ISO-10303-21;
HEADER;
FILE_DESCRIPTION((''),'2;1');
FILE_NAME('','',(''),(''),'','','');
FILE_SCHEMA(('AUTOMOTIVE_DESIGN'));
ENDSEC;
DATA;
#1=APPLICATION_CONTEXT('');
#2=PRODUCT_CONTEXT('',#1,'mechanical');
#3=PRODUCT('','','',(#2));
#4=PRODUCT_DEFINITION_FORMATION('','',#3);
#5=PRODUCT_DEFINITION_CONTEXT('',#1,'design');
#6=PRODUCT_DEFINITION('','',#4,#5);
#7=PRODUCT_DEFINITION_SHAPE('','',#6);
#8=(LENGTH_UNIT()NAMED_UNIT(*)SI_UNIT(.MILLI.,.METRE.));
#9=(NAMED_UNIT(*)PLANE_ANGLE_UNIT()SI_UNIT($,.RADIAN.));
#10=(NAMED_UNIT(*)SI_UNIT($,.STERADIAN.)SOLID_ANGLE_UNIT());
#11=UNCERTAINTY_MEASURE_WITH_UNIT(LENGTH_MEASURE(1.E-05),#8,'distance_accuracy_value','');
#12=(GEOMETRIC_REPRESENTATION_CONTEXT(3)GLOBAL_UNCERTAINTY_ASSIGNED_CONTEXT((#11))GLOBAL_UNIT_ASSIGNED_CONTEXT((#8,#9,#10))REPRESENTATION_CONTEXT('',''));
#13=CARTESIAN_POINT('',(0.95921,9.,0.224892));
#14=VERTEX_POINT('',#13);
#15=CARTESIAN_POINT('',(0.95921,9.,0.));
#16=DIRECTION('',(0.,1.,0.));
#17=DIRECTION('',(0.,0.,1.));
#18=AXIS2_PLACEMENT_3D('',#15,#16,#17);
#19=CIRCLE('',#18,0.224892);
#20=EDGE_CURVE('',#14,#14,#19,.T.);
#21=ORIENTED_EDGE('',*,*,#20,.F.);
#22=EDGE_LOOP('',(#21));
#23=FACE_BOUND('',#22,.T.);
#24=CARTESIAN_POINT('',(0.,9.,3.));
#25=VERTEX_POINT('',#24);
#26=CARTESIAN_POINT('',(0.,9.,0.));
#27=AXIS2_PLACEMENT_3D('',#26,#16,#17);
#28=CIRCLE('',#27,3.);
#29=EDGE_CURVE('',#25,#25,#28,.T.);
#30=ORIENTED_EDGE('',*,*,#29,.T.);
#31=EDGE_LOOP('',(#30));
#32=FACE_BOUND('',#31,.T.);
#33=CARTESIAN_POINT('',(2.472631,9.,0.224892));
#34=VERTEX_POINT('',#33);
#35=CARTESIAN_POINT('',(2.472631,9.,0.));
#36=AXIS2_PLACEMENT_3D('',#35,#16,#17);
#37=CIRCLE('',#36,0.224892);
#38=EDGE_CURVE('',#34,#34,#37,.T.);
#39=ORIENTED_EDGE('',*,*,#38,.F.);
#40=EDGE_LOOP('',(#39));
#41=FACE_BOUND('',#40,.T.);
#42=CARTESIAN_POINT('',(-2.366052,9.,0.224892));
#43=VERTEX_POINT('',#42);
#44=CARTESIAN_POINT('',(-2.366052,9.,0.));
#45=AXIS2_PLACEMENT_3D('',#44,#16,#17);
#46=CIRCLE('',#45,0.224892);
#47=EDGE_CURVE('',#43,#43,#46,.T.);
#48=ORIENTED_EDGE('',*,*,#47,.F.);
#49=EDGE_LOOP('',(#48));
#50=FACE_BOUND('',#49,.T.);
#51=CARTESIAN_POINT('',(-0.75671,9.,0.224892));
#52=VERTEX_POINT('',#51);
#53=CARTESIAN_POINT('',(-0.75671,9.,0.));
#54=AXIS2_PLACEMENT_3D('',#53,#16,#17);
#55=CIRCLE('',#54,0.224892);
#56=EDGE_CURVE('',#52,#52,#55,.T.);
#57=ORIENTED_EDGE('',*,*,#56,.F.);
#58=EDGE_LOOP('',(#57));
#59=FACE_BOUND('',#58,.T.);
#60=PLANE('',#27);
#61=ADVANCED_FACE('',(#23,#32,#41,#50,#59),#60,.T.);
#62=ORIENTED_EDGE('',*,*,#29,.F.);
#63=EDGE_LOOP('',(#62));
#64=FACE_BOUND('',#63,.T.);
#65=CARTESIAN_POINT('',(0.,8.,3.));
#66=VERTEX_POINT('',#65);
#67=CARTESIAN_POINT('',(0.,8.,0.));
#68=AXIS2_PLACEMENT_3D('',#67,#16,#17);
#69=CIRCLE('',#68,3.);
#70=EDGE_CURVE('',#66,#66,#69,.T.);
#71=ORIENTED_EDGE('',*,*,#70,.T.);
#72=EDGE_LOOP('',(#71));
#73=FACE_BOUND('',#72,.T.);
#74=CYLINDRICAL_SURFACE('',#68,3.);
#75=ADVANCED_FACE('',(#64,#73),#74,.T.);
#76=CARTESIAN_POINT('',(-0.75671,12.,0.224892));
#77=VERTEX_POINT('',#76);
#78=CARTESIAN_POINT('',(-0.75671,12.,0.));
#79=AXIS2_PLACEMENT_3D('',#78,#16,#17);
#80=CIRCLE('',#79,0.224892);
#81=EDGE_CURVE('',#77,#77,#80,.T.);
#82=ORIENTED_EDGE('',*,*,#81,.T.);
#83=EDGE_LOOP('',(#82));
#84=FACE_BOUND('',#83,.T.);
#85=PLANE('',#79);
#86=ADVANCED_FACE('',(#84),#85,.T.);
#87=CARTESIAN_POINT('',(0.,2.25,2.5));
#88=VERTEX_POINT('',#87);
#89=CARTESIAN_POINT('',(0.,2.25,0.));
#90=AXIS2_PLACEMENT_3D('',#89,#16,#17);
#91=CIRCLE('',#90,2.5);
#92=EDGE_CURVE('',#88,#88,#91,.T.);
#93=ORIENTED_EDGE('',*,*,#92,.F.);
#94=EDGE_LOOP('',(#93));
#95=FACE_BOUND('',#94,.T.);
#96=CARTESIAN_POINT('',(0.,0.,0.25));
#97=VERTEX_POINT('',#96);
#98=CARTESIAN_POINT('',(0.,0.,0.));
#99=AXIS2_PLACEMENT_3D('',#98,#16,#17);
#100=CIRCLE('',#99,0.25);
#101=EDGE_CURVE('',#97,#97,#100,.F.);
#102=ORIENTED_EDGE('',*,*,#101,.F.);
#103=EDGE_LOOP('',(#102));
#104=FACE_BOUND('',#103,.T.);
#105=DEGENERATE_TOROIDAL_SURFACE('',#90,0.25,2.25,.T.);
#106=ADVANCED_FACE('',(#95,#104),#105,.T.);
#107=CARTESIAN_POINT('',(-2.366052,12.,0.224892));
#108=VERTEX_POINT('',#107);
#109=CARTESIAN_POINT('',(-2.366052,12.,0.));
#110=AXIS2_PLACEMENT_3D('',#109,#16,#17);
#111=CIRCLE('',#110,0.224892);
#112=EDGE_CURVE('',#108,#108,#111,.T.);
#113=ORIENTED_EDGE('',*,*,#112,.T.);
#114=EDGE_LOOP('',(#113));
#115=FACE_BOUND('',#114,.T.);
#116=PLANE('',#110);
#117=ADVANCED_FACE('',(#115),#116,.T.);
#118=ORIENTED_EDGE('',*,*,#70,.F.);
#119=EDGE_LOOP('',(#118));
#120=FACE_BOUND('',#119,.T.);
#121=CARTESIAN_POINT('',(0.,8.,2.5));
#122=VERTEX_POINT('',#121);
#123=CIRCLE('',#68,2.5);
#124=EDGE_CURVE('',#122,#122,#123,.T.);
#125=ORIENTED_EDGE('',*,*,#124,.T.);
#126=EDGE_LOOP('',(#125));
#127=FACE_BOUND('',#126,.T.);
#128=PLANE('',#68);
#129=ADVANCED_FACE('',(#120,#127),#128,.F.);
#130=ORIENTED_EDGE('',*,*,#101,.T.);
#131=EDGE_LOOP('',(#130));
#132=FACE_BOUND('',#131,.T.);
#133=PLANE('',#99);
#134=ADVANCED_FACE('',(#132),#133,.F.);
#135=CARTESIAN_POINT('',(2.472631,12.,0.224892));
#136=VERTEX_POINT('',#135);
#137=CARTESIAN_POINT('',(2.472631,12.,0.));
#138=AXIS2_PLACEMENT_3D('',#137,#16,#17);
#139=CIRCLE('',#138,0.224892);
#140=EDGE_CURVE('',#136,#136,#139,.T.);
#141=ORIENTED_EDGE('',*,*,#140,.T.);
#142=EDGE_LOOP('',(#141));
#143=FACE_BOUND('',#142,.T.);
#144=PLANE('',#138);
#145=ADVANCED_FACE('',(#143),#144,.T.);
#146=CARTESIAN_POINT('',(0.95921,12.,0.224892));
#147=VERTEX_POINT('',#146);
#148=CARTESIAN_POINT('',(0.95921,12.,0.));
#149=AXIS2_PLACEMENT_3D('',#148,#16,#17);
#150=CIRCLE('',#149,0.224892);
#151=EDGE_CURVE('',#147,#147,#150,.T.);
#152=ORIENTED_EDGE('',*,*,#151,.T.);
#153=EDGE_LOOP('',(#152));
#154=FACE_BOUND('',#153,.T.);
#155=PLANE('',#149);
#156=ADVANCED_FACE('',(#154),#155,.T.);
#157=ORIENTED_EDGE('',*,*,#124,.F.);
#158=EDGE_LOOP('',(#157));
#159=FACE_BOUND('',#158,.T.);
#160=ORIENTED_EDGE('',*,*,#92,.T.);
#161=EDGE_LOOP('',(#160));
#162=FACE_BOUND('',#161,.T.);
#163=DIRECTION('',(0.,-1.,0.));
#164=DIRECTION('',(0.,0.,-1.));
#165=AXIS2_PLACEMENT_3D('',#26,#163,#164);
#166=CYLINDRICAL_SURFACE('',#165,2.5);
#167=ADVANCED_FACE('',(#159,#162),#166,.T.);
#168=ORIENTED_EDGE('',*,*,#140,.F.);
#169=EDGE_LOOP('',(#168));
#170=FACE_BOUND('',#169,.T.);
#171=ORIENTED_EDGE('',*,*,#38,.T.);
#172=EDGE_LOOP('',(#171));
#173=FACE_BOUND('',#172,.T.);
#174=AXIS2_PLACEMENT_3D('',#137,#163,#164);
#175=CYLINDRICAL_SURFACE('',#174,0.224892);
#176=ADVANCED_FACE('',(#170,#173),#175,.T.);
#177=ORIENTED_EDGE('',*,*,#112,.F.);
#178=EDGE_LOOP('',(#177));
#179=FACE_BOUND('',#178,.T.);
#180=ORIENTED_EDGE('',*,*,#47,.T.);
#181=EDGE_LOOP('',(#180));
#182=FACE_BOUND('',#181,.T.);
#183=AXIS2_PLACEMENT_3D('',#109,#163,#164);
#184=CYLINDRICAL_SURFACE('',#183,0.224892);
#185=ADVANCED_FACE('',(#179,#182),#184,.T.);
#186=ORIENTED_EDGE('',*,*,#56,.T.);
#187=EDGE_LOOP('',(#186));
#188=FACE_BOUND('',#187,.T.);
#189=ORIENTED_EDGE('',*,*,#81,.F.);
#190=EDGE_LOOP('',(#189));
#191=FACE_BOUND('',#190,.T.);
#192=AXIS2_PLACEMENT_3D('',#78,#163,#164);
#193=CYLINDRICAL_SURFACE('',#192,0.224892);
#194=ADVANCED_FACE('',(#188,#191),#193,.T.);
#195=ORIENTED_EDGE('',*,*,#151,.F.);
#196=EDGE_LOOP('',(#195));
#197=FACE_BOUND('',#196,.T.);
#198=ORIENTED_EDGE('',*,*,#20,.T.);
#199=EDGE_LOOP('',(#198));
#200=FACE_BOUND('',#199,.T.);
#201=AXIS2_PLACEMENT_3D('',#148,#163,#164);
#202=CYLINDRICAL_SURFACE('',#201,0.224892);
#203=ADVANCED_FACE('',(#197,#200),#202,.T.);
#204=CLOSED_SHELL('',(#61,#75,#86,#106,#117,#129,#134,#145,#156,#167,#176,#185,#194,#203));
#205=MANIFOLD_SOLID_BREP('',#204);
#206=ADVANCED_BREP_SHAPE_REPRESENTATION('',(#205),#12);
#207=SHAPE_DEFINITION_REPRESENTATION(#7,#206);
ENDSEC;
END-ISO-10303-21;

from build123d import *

# Parameters (mm, degrees)
SKETCH1_R           = 2.5
BOSS_EXTRUDE1_DEPTH = 9
SKETCH2_R           = 3
BOSS_EXTRUDE3_DEPTH = 1
FILLET3_R           = 2.25
SKETCH4_R           = 0.224891602
BOSS_EXTRUDE4_DEPTH = 3


with BuildPart() as part:
    # Sketch1 → Boss-Extrude1 (new body)
    with BuildSketch(Plane(origin=(0, 0, 0), x_dir=(1, 0, 0), z_dir=(0, 1, 0))):
        with Locations(Location((0, 0, 0), (0, 0, 270))):  # turned: the seam where the file's is
            Circle(SKETCH1_R)
    extrude(amount=BOSS_EXTRUDE1_DEPTH)

    # Sketch2 → Boss-Extrude3 (add)
    with BuildSketch(Plane(origin=(0, 9, 0), x_dir=(1, 0, 0), z_dir=(0, 1, 0))):
        with Locations(Location((0, 0, 0), (0, 0, 270))):  # turned: the seam where the file's is
            Circle(SKETCH2_R)
    extrude(amount=-BOSS_EXTRUDE3_DEPTH)

    # Fillet3
    fillet3_edges = [part.edges().sort_by_distance(p)[0] for p in [
        (0, 0, -2.5),
    ]]
    fillet(fillet3_edges, radius=FILLET3_R)

    # Sketch4 → Boss-Extrude4 (add)
    with BuildSketch(Plane(origin=(0, 9, 0), x_dir=(1, 0, 0), z_dir=(0, 1, 0))):
        with Locations(Location((-2.366051797, 0, 0), (0, 0, 270))):  # turned: the seam where the file's is
            Circle(SKETCH4_R)
        with Locations(Location((-0.756710259, 0, 0), (0, 0, 270))):  # turned: the seam where the file's is
            Circle(SKETCH4_R)
        with Locations(Location((0.959210188, 0, 0), (0, 0, 270))):  # turned: the seam where the file's is
            Circle(SKETCH4_R)
        with Locations(Location((2.472630707, 0, 0), (0, 0, 270))):  # turned: the seam where the file's is
            Circle(SKETCH4_R)
    extrude(amount=BOSS_EXTRUDE4_DEPTH)


solid = part.part
